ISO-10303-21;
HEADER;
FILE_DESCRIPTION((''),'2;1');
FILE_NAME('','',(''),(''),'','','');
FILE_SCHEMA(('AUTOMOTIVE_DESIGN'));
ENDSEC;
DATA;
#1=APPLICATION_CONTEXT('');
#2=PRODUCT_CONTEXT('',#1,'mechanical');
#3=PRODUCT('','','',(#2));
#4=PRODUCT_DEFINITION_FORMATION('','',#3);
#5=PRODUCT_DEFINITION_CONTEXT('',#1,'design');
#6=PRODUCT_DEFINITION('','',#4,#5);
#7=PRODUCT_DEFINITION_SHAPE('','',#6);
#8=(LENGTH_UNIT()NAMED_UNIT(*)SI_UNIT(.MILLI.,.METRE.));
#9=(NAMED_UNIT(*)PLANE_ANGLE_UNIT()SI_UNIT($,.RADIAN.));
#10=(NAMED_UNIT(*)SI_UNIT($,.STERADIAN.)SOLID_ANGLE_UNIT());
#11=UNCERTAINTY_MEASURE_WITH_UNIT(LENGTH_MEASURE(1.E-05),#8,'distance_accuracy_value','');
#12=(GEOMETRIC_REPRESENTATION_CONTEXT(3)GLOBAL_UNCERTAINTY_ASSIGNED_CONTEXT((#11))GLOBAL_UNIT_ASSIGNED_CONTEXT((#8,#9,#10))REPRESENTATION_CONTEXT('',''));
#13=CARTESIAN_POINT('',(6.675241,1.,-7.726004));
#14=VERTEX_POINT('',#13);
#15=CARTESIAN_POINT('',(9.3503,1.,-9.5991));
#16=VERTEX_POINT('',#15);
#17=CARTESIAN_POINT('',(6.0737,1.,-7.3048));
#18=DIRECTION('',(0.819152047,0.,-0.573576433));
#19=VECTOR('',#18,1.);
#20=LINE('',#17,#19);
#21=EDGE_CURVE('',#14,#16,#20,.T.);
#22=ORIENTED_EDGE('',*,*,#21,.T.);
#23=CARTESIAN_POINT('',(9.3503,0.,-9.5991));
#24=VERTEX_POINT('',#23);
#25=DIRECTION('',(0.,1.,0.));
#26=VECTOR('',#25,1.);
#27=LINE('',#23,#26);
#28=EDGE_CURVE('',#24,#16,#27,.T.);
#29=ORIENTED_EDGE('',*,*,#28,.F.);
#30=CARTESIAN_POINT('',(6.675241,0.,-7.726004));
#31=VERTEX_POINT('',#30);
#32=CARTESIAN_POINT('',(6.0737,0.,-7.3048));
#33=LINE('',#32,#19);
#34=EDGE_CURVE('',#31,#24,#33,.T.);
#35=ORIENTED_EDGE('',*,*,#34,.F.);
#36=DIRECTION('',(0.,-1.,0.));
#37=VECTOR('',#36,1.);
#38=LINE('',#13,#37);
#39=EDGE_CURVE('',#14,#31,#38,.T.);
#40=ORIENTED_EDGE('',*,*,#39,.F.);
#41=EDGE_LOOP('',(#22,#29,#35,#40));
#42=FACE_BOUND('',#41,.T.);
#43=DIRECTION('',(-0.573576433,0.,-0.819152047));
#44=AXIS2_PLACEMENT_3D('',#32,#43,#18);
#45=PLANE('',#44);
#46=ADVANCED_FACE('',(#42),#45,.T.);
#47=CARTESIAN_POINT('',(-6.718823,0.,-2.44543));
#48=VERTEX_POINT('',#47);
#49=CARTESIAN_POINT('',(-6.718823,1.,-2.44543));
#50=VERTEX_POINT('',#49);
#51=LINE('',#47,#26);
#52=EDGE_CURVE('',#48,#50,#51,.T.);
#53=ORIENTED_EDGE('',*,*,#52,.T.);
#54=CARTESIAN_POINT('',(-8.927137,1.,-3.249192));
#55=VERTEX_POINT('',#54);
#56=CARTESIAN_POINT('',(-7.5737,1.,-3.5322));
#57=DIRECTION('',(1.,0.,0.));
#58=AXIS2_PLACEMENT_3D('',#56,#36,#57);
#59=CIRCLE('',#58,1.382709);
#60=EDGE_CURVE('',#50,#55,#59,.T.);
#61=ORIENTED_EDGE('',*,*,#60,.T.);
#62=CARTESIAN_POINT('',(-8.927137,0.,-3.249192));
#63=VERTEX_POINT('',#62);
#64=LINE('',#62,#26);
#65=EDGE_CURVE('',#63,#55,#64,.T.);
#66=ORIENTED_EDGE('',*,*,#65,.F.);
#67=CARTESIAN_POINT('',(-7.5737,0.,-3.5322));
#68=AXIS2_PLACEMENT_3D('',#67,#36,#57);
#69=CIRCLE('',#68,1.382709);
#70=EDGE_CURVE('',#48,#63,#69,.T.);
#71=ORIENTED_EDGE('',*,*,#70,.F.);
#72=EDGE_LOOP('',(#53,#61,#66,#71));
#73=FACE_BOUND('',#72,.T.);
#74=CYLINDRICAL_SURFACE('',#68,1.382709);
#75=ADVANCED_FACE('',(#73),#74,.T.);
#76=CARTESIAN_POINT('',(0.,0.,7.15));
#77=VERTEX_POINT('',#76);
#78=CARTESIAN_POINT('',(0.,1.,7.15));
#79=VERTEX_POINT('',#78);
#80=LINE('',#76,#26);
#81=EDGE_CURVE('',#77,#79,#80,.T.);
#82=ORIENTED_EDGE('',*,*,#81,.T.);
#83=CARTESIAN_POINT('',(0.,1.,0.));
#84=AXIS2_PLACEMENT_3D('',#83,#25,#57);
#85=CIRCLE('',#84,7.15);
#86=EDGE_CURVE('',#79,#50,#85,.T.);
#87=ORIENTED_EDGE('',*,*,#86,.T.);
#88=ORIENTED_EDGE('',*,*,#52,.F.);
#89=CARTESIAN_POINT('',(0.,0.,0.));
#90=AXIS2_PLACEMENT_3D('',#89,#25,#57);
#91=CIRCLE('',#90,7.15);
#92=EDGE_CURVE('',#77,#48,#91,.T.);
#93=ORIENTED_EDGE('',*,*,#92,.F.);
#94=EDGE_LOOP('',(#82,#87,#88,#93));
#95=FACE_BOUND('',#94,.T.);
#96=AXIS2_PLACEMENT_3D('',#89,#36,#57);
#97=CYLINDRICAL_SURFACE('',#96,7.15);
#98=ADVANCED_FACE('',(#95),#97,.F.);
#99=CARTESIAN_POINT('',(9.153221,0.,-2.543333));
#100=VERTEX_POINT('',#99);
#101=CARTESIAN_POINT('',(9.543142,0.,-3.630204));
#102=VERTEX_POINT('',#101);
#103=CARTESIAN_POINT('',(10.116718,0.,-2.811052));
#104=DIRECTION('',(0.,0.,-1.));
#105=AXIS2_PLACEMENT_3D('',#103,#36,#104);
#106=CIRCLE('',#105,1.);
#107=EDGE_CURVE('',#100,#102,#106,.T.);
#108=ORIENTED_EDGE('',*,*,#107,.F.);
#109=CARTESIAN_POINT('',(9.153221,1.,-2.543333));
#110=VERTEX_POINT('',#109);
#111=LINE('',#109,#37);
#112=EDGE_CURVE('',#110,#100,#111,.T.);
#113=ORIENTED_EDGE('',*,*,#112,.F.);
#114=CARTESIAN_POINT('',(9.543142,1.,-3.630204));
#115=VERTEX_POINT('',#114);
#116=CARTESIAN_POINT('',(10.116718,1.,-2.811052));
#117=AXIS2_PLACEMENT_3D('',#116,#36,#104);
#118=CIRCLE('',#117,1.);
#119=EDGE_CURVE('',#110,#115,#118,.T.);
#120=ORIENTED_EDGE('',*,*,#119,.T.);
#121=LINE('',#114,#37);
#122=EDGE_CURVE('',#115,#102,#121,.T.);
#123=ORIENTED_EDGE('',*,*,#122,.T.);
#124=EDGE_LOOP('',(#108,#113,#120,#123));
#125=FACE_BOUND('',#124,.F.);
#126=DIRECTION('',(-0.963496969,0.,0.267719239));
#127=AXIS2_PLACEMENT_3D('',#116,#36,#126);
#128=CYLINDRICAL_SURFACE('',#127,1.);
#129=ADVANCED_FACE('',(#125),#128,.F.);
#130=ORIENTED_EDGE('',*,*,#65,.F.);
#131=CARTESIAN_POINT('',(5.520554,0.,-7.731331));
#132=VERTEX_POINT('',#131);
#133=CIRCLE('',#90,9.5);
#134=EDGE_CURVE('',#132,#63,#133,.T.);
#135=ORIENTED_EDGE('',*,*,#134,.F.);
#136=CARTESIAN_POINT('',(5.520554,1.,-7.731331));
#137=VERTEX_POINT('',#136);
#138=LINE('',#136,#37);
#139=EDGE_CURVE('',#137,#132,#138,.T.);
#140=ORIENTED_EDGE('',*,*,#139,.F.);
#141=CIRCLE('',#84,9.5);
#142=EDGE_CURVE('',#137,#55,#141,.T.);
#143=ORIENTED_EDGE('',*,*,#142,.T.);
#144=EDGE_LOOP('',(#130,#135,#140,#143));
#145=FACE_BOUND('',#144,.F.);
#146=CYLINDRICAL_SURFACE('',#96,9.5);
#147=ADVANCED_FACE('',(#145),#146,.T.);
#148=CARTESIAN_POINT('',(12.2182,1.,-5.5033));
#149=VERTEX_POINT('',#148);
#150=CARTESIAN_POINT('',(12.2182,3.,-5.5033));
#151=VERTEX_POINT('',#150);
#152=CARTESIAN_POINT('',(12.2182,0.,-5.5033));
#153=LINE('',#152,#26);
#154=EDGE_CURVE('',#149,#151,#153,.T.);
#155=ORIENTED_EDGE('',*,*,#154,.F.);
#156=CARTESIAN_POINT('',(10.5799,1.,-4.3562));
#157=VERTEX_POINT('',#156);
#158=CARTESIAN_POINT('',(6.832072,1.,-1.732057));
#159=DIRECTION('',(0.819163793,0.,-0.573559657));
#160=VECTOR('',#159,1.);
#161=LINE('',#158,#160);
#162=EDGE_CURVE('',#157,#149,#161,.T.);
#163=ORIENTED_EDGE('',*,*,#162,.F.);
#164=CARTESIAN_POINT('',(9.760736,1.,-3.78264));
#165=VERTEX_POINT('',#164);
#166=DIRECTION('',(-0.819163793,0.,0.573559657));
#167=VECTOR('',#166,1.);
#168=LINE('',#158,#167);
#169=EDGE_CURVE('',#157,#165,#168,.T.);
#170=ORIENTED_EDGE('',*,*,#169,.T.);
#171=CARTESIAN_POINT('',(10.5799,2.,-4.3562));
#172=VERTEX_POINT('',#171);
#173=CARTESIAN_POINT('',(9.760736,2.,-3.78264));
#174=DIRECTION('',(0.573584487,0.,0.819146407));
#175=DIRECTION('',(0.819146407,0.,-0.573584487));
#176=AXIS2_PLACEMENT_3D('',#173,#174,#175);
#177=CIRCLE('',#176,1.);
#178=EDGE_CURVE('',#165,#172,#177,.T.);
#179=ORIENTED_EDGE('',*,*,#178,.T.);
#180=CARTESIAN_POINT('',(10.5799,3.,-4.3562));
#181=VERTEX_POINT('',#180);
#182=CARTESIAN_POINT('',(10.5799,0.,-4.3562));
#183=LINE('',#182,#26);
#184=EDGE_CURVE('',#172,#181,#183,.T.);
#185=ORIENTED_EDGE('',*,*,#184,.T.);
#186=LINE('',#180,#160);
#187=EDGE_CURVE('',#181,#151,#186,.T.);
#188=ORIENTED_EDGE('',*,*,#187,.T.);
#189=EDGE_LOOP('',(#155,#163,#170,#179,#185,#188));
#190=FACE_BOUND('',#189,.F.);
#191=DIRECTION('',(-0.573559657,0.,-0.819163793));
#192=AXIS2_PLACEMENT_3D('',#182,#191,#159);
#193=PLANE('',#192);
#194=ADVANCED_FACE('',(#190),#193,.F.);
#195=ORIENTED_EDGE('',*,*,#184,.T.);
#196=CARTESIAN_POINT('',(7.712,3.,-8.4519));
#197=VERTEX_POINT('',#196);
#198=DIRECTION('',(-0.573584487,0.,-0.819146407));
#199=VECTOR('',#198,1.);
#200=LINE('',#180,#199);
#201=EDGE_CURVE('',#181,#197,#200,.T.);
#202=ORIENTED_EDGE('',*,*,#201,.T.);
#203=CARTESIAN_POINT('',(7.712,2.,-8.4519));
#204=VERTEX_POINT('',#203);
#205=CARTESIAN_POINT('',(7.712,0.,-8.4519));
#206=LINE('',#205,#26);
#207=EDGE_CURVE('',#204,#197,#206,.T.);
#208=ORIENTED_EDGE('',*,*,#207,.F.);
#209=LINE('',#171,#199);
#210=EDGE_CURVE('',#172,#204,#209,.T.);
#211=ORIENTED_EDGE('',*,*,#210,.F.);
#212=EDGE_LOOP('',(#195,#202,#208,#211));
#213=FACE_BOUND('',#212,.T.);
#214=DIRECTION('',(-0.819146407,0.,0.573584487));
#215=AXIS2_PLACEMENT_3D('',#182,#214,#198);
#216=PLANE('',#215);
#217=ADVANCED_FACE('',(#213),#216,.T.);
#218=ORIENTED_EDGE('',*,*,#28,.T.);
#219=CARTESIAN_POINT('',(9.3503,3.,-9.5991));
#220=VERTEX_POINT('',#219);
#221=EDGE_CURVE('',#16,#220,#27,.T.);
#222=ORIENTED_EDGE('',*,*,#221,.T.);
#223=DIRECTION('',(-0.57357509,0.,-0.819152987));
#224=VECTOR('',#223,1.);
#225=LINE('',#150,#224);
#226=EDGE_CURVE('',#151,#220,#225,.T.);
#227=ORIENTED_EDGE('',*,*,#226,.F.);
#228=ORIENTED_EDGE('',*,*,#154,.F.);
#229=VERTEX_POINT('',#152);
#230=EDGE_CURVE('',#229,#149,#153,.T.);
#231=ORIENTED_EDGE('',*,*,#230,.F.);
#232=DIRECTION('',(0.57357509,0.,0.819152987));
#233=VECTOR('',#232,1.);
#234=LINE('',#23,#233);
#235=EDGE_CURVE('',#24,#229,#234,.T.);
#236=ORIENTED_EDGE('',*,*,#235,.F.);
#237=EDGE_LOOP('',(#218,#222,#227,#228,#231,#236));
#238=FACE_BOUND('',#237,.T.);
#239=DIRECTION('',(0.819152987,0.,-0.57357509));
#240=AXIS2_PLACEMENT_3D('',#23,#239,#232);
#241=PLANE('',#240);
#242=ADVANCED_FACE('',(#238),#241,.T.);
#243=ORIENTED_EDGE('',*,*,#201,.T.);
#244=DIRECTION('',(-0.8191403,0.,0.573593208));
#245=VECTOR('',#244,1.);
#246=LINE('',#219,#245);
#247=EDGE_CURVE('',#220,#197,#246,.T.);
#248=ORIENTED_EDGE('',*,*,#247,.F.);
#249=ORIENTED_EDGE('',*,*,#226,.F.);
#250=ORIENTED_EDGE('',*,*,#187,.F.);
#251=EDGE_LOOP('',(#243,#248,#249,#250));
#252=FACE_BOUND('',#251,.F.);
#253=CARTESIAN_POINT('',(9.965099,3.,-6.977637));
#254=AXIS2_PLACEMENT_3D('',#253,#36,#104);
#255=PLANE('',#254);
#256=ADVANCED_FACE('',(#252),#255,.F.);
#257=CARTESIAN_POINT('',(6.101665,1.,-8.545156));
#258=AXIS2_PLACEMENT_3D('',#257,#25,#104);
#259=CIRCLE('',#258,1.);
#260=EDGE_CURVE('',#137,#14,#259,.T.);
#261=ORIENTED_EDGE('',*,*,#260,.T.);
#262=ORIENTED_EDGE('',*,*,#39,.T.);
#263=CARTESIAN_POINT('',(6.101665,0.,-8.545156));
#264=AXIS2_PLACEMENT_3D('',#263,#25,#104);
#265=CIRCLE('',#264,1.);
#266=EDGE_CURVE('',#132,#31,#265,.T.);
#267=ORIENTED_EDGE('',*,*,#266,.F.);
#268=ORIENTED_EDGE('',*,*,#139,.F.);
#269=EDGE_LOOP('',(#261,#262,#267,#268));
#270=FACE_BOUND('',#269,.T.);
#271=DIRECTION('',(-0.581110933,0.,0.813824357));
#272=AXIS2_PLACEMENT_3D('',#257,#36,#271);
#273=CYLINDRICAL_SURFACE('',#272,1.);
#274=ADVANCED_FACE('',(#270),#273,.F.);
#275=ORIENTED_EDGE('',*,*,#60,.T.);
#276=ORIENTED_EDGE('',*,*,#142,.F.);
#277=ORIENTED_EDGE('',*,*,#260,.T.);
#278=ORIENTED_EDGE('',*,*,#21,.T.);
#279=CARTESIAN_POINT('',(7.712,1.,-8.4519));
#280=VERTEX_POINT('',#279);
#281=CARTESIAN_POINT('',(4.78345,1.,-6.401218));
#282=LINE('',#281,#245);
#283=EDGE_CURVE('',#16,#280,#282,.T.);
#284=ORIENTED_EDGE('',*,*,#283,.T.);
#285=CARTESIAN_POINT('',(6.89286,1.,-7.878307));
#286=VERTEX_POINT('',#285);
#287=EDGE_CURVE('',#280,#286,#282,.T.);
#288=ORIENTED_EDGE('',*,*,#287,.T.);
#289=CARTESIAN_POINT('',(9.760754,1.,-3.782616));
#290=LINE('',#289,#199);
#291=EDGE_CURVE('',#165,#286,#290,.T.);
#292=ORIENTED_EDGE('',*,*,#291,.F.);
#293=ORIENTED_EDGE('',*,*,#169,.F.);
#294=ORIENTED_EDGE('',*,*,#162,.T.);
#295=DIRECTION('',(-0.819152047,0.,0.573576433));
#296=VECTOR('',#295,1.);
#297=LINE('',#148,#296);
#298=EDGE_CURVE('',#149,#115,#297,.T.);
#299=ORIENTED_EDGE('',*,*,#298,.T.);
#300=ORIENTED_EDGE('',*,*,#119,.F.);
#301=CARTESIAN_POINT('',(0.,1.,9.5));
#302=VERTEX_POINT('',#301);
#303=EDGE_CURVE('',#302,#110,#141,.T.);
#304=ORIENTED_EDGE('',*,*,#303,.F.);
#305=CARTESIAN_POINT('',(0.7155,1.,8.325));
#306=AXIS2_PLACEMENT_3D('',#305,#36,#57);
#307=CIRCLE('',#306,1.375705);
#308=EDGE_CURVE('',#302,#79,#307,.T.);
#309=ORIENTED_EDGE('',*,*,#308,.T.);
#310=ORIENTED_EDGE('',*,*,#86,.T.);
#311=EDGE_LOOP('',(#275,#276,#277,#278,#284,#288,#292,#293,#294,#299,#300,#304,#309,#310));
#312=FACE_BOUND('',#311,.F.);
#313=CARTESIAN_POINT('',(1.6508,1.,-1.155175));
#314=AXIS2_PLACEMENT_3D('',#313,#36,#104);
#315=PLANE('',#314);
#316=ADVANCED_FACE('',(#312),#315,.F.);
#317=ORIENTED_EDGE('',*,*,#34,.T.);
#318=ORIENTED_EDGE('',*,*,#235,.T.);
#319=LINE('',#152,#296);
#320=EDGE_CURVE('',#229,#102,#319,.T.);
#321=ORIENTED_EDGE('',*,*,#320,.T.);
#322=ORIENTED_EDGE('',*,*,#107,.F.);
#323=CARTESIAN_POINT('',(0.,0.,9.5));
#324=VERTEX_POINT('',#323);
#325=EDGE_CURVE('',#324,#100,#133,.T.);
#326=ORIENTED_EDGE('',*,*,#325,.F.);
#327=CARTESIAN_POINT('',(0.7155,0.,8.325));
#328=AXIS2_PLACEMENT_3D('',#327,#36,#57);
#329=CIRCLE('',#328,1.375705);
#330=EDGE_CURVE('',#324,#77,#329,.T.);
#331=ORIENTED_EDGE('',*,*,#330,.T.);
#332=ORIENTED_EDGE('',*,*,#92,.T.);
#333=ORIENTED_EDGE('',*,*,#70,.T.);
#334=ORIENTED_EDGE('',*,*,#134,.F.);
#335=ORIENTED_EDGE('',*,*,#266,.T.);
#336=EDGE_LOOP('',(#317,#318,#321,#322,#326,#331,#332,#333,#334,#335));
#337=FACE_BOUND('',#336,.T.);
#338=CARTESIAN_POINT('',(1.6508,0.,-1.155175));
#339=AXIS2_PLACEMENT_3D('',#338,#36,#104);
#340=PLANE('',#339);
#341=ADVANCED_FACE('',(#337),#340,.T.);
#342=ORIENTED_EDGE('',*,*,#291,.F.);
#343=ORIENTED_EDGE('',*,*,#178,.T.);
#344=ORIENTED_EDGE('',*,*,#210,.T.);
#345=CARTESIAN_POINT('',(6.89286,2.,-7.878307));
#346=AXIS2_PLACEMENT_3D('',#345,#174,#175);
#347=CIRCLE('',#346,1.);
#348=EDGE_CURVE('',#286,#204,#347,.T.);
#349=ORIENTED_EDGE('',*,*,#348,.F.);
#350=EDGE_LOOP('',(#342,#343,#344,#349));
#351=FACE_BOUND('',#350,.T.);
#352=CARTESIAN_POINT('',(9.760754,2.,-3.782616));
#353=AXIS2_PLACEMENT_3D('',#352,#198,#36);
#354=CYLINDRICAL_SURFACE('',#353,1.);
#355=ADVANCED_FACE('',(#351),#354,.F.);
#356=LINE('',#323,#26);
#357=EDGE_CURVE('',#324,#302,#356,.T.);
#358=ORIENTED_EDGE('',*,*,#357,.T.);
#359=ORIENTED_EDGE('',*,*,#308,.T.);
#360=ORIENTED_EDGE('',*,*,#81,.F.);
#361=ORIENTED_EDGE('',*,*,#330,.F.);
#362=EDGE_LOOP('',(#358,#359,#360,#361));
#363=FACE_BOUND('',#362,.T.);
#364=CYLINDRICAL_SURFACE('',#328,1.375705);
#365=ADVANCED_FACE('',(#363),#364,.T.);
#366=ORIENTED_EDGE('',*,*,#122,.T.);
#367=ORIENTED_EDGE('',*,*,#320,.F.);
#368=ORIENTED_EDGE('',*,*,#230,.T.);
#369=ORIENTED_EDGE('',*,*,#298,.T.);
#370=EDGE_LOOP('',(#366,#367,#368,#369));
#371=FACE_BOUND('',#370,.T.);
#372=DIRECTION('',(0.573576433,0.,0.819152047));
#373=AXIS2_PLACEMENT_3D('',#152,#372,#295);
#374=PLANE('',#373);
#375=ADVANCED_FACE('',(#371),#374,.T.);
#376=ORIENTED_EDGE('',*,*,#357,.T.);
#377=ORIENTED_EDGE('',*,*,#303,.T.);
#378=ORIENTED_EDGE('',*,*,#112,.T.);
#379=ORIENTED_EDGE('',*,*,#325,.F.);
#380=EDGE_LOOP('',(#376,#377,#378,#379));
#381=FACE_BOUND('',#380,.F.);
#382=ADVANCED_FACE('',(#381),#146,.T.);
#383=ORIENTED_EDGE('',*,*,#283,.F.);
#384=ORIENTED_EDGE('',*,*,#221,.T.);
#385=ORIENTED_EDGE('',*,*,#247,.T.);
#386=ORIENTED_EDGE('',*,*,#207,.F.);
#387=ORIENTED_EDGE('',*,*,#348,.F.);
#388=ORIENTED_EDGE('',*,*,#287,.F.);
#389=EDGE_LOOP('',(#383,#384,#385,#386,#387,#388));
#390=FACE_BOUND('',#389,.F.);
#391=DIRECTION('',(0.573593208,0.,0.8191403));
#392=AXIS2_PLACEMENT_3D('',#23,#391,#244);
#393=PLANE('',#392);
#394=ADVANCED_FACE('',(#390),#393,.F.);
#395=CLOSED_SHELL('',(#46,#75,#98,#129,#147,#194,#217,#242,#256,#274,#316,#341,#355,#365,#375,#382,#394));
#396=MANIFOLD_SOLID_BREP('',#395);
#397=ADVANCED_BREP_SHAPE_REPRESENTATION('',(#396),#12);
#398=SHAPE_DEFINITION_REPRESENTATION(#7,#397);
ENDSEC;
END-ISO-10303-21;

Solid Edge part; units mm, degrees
sketch "Sketch1" plane through (0, 0, 0) normal (0, -1, 0) x (1, 0, 0)
  arc A0 (-6.7188, -2.4454) -> (-8.9271, -3.2492) centre (-7.5737, -3.5322) ccw
  arc A1 (0, 9.5) -> (0, 7.15) centre (0.7155, 8.325) ccw
  arc A2 (0, 9.5) -> (-8.9271, -3.2492) centre (0, 0) cw
  arc A3 (0, 7.15) -> (-6.7188, -2.4454) centre (0, 0) cw
extrude "Protrusion1" add sketch "Sketch1" against normal blind 1
sketch "Sketch2" plane through (0, 0, 0) normal (0, -1, 0) x (1, 0, 0)
  line L0 (12.2182, -5.5033) -> (8.9416, -3.209)
  line L1 (8.9416, -3.209) -> (6.0737, -7.3048)
  line L2 (6.0737, -7.3048) -> (9.3503, -9.5991)
  line L3 (9.3503, -9.5991) -> (12.2182, -5.5033)
extrude "Henkel_1" add sketch "Sketch2" against normal blind 1
sketch "Sketch3" plane through (0, 0, 0) normal (0, -1, 0) x (1, 0, 0)
  line L0 (10.5799, -4.3562) -> (7.712, -8.4519)
  line L1 (9.3503, -9.5991) -> (7.712, -8.4519)
  line L2 (12.2182, -5.5033) -> (9.3503, -9.5991)
  line L3 (10.5799, -4.3562) -> (12.2182, -5.5033)
extrude "Henkel_2" add sketch "Sketch3" against normal blind 3
fillet "Verrundung_1" radius 1 3 edges at (8.9416, 0.5, -3.209) (6.0737, 0.5, -7.3048) (9.146, 1, -6.4041)
